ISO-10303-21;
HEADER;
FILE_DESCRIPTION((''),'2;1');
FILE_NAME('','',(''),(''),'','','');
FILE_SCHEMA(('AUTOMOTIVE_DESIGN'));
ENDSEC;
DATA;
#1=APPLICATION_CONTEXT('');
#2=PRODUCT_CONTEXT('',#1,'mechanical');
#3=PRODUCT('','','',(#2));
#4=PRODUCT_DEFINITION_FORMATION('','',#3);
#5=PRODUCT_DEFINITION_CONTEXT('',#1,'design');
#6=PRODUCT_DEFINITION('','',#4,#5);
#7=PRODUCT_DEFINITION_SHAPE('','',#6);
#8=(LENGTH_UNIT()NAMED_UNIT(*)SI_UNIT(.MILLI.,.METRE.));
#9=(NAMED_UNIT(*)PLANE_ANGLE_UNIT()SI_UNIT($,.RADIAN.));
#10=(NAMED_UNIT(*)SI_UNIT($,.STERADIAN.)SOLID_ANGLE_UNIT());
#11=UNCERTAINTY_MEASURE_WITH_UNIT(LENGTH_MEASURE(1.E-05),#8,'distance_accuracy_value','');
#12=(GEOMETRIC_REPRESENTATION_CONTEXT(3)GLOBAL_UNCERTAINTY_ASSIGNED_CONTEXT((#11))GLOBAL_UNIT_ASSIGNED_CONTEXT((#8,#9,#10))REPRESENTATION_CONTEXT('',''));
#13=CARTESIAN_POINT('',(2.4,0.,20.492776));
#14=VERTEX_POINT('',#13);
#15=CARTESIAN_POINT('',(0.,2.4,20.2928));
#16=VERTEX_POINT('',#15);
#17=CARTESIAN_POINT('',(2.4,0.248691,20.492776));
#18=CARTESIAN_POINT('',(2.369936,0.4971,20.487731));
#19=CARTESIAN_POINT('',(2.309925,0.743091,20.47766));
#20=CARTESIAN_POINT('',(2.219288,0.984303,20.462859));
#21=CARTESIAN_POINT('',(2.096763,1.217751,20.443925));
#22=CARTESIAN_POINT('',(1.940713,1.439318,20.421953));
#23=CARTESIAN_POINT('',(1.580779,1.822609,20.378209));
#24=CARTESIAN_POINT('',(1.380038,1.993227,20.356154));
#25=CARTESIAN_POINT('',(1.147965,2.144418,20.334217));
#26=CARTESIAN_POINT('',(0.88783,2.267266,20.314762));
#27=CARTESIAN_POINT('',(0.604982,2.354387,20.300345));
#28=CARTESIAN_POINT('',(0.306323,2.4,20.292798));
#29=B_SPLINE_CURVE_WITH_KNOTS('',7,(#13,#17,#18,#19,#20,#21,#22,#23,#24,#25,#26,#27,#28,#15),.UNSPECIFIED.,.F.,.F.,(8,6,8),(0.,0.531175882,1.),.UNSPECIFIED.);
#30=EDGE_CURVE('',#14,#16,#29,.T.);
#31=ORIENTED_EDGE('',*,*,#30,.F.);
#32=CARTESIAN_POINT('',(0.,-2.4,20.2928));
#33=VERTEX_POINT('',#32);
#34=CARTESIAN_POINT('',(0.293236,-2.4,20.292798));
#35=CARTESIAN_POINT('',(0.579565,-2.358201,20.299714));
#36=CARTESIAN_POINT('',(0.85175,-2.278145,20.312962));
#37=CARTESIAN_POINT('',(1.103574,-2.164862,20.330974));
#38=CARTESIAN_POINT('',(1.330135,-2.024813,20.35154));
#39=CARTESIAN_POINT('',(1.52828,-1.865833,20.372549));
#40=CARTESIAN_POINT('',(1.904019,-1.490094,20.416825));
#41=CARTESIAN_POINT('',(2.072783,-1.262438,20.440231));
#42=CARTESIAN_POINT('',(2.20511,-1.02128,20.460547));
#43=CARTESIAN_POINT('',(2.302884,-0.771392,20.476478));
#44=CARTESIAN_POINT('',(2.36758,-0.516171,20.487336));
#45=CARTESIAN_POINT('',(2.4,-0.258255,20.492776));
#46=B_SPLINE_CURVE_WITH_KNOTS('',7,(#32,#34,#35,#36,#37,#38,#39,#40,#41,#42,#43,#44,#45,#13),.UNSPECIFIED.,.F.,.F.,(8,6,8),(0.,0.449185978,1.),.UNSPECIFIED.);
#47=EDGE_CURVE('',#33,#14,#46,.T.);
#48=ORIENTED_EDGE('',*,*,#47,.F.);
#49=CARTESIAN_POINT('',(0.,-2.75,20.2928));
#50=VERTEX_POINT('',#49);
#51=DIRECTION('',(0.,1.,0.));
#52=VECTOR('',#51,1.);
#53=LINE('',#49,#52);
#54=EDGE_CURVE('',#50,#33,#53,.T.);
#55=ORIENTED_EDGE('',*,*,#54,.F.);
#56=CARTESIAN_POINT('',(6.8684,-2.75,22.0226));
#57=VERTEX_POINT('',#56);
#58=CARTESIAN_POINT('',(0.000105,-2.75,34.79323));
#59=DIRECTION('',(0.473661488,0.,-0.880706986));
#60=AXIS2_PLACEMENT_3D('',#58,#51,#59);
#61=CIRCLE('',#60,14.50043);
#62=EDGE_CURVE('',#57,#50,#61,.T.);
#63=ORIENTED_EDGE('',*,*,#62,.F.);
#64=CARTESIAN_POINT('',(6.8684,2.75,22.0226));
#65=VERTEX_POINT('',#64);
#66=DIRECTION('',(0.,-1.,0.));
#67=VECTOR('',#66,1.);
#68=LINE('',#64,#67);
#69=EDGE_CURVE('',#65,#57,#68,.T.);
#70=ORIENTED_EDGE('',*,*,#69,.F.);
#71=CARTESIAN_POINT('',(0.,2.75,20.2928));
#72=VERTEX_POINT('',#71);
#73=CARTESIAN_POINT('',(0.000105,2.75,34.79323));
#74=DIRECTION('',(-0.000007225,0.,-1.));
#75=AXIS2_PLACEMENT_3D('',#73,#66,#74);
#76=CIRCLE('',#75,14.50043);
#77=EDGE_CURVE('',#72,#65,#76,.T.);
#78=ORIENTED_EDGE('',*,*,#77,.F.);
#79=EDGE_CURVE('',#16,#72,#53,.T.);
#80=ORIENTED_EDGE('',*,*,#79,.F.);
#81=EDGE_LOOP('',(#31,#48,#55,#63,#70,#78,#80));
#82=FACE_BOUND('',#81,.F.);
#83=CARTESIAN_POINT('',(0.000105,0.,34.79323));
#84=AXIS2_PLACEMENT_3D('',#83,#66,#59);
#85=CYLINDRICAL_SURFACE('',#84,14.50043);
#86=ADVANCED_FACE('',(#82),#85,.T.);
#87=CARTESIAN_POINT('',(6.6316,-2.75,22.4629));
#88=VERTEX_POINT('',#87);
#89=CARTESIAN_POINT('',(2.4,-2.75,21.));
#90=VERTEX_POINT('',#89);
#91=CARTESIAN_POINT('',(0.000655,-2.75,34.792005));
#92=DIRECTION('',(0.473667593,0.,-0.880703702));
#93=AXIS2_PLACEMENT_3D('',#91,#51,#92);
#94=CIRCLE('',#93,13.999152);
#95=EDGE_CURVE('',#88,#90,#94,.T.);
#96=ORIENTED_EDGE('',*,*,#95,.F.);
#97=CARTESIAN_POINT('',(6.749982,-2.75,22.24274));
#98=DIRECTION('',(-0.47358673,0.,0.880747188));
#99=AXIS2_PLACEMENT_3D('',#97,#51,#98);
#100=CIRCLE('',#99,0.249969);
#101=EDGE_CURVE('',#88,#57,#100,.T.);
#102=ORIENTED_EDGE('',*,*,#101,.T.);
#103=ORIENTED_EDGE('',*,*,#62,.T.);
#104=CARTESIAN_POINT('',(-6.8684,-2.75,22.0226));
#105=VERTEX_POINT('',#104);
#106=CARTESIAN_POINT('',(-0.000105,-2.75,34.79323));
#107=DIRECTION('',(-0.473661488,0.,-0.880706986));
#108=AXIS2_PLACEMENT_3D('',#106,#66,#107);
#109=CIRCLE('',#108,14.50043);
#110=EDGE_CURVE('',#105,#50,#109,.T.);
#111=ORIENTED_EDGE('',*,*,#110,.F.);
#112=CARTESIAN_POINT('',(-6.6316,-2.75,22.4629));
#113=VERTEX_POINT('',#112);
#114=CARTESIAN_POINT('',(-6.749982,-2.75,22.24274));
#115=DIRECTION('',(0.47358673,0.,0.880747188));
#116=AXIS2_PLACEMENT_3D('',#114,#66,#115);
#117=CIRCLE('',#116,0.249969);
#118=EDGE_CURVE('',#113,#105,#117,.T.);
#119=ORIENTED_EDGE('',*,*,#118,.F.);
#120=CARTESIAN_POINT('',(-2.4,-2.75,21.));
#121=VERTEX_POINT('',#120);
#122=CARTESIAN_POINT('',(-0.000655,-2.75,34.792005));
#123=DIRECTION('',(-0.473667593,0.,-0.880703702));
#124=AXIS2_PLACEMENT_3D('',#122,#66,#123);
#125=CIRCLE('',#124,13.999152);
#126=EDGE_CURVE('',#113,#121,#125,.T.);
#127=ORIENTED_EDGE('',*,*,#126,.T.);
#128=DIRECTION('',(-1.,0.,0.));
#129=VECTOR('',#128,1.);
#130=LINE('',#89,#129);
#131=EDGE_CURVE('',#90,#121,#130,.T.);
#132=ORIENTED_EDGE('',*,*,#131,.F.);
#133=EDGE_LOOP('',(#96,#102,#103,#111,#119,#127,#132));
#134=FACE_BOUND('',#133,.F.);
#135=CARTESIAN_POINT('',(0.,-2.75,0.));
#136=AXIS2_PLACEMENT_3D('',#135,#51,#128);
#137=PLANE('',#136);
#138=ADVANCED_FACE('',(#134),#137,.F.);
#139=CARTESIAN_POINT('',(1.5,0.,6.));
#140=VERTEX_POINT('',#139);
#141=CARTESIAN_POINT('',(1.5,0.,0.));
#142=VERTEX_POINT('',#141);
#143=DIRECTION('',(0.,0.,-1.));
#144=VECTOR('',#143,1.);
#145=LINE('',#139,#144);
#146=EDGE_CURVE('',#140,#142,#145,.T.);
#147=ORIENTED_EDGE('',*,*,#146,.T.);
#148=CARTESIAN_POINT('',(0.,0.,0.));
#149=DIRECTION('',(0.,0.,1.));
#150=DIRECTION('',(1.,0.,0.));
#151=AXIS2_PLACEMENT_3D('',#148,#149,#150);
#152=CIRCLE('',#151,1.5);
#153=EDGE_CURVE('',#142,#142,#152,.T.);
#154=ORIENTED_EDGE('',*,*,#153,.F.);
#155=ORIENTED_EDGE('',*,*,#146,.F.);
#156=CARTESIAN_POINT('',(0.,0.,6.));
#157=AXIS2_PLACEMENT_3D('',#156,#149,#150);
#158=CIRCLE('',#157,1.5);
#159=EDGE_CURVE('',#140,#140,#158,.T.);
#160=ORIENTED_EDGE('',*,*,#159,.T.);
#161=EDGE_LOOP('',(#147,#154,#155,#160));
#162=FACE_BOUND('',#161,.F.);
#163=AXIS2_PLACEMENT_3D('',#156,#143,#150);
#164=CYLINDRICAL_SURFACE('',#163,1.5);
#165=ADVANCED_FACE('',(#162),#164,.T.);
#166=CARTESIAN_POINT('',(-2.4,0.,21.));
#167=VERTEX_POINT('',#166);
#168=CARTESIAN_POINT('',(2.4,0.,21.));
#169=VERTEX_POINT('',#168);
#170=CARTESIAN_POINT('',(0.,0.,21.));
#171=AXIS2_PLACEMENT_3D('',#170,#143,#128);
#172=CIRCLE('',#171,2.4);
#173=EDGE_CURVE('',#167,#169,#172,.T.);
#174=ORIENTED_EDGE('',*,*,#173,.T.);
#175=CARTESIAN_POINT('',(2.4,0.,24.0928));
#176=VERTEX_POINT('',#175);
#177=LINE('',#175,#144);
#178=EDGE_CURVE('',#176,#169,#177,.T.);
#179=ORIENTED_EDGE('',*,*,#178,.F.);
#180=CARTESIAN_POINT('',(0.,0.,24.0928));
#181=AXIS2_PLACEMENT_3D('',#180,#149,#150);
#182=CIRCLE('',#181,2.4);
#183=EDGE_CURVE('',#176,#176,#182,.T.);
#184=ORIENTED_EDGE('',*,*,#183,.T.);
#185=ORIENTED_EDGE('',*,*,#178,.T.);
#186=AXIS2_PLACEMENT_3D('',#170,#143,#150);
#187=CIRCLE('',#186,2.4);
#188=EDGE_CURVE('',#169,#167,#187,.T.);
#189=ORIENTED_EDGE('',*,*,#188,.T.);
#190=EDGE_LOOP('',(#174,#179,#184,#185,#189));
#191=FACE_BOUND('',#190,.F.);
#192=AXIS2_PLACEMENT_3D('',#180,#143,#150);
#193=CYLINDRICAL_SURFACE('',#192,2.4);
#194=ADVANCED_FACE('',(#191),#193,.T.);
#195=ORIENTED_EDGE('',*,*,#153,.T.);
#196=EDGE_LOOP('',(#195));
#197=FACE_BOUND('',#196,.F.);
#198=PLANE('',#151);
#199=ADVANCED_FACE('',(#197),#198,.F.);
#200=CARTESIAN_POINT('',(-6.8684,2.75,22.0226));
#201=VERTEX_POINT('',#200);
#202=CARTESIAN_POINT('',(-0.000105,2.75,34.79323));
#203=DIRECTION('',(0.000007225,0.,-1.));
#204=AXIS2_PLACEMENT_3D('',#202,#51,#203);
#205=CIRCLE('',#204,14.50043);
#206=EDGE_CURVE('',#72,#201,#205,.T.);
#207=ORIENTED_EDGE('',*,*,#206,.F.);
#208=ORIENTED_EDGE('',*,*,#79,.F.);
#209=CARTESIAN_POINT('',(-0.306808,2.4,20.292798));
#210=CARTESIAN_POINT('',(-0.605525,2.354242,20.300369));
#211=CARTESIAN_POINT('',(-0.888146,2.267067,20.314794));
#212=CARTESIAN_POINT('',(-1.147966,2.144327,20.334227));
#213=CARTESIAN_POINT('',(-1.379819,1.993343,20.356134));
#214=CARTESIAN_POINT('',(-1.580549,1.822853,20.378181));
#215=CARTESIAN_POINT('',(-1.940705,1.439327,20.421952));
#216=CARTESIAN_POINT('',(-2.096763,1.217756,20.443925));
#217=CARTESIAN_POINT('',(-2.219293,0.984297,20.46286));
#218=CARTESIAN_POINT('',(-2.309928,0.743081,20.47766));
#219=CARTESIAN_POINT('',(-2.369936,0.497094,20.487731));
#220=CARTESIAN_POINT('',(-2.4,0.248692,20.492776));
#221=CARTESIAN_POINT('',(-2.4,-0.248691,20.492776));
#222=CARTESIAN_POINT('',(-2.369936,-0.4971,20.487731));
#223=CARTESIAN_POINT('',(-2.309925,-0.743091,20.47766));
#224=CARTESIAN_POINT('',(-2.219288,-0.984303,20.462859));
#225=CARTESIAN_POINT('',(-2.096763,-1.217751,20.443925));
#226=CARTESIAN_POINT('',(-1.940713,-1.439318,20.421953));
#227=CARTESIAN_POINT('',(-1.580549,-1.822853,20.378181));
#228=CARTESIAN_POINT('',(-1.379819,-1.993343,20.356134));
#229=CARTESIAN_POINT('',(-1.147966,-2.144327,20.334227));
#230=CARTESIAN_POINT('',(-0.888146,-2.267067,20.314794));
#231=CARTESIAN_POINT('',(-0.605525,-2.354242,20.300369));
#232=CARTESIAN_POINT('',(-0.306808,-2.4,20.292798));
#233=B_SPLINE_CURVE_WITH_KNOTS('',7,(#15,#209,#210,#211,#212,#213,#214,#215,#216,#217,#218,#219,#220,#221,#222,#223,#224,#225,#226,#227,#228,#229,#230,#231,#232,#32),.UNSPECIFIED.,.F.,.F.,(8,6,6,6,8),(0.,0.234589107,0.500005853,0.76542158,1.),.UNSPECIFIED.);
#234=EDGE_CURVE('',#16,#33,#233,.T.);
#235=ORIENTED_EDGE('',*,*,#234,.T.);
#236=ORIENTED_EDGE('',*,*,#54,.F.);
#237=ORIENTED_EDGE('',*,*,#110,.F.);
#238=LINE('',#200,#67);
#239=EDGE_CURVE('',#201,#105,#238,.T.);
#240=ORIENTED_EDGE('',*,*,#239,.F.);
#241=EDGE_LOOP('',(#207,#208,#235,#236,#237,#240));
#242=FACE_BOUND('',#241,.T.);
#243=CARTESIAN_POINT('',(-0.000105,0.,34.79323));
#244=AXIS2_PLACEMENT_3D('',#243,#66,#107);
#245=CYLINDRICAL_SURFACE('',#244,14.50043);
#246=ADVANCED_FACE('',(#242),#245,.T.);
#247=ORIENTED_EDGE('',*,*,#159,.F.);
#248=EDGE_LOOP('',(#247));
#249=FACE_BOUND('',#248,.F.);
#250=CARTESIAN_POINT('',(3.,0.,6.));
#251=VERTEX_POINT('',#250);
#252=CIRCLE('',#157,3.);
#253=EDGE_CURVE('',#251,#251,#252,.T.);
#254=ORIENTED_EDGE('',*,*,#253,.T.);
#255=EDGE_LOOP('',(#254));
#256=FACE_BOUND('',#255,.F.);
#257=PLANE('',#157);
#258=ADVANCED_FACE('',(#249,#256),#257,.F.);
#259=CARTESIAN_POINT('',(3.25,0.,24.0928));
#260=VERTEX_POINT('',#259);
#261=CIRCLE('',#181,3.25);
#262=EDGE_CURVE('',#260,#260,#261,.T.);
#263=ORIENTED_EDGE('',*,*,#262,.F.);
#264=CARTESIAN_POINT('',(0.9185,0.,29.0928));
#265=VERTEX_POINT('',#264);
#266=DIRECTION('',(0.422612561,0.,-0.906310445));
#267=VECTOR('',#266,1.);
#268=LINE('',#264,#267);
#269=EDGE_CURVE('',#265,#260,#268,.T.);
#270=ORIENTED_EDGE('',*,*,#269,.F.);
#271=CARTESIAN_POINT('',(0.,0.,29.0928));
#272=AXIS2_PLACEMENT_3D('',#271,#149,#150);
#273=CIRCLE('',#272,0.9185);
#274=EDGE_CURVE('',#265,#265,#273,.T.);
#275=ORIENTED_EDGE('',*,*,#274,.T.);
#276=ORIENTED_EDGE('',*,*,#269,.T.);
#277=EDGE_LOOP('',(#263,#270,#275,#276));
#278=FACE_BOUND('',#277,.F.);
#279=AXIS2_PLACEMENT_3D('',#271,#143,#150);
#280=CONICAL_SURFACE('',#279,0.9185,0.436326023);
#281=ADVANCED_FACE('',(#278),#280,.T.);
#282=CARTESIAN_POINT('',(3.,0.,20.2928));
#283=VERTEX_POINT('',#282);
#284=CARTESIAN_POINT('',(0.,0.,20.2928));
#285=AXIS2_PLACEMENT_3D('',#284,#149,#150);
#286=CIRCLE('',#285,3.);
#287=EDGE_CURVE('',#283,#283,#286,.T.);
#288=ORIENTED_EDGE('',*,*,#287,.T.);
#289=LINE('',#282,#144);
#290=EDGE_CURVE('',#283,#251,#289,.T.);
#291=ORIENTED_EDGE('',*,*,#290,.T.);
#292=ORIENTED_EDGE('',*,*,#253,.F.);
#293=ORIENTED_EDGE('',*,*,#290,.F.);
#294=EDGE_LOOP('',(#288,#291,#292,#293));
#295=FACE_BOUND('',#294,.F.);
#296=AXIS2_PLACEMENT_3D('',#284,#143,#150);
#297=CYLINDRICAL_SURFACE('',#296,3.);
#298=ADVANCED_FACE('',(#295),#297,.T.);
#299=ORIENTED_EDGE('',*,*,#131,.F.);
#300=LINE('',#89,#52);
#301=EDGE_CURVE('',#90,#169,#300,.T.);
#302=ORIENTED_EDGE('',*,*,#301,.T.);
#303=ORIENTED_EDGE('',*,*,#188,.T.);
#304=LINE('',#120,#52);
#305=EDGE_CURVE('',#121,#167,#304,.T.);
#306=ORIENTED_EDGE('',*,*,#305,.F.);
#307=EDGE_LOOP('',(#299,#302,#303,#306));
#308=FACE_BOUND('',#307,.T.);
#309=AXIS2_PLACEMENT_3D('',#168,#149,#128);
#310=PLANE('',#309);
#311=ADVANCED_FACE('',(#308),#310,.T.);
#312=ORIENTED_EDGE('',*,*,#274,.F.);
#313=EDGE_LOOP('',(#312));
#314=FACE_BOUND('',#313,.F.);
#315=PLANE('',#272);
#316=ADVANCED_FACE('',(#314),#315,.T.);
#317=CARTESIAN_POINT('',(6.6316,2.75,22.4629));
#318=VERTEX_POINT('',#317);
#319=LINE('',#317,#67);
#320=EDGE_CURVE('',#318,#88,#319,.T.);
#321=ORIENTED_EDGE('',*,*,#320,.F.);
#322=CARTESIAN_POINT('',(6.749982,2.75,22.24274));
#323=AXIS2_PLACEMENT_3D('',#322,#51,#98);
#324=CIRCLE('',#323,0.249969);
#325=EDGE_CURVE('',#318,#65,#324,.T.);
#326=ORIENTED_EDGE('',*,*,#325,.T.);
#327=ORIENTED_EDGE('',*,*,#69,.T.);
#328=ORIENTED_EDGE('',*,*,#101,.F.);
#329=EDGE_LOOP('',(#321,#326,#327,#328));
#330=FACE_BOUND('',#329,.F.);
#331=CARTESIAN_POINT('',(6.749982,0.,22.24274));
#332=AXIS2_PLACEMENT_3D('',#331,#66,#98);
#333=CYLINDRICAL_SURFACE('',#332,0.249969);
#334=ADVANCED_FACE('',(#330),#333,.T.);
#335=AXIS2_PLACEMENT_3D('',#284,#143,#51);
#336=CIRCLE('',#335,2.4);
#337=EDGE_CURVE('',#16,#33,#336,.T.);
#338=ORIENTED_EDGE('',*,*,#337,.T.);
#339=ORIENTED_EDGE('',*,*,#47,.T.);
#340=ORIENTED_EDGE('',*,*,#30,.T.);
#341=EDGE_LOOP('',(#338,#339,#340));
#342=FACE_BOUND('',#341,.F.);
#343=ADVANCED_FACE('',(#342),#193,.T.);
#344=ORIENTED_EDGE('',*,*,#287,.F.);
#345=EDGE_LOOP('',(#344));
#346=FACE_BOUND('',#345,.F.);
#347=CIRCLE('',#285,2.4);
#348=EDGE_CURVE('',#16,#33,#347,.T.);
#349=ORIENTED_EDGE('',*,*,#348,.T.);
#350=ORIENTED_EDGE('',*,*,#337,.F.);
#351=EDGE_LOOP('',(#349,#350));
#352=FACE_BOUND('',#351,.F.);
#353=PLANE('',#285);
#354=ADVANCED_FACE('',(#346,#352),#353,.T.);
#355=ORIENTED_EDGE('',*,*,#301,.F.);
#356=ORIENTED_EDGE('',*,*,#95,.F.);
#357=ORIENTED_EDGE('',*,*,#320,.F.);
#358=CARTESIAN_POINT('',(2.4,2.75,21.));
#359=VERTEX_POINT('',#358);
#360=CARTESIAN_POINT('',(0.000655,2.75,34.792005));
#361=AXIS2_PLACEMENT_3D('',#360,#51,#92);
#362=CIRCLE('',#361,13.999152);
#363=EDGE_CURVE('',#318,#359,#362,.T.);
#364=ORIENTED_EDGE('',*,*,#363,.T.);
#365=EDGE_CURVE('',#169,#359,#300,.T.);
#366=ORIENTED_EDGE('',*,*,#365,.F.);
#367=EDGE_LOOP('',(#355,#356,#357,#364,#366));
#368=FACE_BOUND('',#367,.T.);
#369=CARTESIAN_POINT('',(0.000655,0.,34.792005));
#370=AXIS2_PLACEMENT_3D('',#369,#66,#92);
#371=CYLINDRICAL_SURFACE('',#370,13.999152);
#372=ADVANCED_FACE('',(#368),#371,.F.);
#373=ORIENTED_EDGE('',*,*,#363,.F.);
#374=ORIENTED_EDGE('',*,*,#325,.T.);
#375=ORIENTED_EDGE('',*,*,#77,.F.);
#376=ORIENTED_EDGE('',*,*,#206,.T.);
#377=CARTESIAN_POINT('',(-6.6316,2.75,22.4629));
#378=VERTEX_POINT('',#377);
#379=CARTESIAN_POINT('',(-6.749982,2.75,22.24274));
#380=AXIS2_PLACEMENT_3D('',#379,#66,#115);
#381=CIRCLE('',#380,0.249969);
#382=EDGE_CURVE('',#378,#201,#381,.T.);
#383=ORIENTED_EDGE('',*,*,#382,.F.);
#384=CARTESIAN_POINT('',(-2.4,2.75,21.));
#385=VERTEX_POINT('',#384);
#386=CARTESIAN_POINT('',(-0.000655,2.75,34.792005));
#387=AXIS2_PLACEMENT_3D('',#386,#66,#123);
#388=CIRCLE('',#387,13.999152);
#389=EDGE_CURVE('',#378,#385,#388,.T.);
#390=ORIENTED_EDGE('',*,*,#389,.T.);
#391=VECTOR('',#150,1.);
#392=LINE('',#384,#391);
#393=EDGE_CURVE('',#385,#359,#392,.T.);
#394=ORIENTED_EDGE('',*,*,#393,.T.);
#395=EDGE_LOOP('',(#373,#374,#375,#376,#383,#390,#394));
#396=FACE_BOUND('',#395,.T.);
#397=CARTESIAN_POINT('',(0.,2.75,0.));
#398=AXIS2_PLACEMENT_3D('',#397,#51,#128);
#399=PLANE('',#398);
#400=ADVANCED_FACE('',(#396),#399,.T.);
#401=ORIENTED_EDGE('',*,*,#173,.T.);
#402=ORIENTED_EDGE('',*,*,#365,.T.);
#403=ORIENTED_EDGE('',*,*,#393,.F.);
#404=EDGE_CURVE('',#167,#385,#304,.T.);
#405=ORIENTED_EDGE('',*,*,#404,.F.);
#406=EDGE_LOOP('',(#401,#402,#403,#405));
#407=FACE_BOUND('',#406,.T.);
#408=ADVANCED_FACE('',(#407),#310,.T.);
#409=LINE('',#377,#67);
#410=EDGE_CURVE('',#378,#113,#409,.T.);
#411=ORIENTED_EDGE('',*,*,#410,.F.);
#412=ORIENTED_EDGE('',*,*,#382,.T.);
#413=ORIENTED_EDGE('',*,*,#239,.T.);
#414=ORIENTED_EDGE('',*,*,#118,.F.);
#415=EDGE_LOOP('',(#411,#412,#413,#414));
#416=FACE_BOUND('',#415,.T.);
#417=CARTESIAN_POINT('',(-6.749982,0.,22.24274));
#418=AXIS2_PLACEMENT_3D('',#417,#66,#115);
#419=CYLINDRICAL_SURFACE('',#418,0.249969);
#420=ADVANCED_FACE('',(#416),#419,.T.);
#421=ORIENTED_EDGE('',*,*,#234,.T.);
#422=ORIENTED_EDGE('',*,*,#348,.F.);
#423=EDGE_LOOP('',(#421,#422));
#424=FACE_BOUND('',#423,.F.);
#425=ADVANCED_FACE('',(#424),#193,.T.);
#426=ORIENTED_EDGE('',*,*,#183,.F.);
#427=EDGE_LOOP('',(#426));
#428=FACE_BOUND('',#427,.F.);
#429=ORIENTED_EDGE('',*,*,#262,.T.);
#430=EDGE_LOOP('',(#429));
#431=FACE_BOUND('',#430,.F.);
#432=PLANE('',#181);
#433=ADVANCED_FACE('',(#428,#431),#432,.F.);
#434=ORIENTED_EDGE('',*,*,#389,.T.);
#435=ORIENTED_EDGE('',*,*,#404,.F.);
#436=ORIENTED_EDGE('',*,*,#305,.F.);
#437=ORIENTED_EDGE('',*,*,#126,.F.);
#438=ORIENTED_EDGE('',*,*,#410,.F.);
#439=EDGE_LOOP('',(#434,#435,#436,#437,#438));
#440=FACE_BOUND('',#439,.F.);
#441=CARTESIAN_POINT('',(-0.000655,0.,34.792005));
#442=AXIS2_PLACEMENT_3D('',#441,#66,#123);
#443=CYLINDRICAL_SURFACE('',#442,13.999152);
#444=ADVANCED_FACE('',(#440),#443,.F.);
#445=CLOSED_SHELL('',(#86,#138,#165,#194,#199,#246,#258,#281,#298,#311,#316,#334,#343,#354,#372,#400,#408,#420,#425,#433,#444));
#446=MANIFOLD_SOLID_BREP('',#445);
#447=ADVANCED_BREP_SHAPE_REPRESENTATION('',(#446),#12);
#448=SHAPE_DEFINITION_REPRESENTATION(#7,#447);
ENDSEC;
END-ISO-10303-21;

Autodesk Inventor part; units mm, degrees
ref_plane "YZ Plane" through (0, 0, 0) normal (1, 0, 0) x (0, 1, 0)
ref_plane "XZ Plane" through (0, 0, 0) normal (0, 1, 0) x (-1, 0, 0)
ref_plane "XY Plane" through (0, 0, 0) normal (0, 0, 1) x (1, 0, 0)
sketch "Sketch1" plane through (0, 0, 0) normal (0, 1, 0) x (-1, 0, 0)
  line L0 (0, 0) -> (0, 29.0928)
  line L1 (0, 29.0928) -> (-0.9185, 29.0928)
  line L2 (-0.9185, 29.0928) -> (-3.25, 24.0928)
  line L3 (-3.25, 24.0928) -> (-2.4, 24.0928)
  line L4 (-2.4, 24.0928) -> (-2.4, 20.2928)
  line L5 (-2.4, 20.2928) -> (-3, 20.2928)
  line L6 (-3, 20.2928) -> (-3, 6)
  line L7 (-3, 6) -> (-1.5, 6)
  line L8 (-1.5, 6) -> (-1.5, 0)
  line L9 (-1.5, 0) -> (0, 0)
  arc A0 (-6.8684, 22.0226) -> (0, 20.2928) centre (0, 34.7935) ccw
  arc A1 (-6.6316, 22.4629) -> (-2.4, 21) centre (0, 34.7935) ccw
  arc A2 (-6.6316, 22.4629) -> (-6.8684, 22.0226) centre (-6.75, 22.2428) ccw
  line L10 (-2.4, 21) -> (0, 21)
  point P0 (0, 10)
  dimension "d0" = 3
  dimension "d1" = 6
  dimension "d3" = 6
  dimension "d4" = 5
  dimension "d5" = 6.5
  dimension "d9" = 8.8
  dimension "d10" = 25
  dimension "d11" = 4.8
  dimension "d15" = 15
  dimension "d17" = 14
  dimension "d18" = 0.5
  dimension "d19" = 1.6
revolve "Revolution1" add sketch "Sketch1" angle 360 about axis through (0, 0, 0) along (0, 0, 1) contours L9 L8 L7 L6 L5 L4 A0 L0 | A0 L4 L10 L0 | L10 L4 L3 L2 L1 L0
extrude "Extrusion1" add sketch "Sketch1" along normal mid plane 5.5 contours A0 L4 L10 L0 | A0 A2 A1 L4
mirror "Mirror1" about plane through (0, 0, 20.2928) normal (-1, 0, 0) of "Extrusion1"
properties part number "WBN-315" material "Acetal Resin, White"
